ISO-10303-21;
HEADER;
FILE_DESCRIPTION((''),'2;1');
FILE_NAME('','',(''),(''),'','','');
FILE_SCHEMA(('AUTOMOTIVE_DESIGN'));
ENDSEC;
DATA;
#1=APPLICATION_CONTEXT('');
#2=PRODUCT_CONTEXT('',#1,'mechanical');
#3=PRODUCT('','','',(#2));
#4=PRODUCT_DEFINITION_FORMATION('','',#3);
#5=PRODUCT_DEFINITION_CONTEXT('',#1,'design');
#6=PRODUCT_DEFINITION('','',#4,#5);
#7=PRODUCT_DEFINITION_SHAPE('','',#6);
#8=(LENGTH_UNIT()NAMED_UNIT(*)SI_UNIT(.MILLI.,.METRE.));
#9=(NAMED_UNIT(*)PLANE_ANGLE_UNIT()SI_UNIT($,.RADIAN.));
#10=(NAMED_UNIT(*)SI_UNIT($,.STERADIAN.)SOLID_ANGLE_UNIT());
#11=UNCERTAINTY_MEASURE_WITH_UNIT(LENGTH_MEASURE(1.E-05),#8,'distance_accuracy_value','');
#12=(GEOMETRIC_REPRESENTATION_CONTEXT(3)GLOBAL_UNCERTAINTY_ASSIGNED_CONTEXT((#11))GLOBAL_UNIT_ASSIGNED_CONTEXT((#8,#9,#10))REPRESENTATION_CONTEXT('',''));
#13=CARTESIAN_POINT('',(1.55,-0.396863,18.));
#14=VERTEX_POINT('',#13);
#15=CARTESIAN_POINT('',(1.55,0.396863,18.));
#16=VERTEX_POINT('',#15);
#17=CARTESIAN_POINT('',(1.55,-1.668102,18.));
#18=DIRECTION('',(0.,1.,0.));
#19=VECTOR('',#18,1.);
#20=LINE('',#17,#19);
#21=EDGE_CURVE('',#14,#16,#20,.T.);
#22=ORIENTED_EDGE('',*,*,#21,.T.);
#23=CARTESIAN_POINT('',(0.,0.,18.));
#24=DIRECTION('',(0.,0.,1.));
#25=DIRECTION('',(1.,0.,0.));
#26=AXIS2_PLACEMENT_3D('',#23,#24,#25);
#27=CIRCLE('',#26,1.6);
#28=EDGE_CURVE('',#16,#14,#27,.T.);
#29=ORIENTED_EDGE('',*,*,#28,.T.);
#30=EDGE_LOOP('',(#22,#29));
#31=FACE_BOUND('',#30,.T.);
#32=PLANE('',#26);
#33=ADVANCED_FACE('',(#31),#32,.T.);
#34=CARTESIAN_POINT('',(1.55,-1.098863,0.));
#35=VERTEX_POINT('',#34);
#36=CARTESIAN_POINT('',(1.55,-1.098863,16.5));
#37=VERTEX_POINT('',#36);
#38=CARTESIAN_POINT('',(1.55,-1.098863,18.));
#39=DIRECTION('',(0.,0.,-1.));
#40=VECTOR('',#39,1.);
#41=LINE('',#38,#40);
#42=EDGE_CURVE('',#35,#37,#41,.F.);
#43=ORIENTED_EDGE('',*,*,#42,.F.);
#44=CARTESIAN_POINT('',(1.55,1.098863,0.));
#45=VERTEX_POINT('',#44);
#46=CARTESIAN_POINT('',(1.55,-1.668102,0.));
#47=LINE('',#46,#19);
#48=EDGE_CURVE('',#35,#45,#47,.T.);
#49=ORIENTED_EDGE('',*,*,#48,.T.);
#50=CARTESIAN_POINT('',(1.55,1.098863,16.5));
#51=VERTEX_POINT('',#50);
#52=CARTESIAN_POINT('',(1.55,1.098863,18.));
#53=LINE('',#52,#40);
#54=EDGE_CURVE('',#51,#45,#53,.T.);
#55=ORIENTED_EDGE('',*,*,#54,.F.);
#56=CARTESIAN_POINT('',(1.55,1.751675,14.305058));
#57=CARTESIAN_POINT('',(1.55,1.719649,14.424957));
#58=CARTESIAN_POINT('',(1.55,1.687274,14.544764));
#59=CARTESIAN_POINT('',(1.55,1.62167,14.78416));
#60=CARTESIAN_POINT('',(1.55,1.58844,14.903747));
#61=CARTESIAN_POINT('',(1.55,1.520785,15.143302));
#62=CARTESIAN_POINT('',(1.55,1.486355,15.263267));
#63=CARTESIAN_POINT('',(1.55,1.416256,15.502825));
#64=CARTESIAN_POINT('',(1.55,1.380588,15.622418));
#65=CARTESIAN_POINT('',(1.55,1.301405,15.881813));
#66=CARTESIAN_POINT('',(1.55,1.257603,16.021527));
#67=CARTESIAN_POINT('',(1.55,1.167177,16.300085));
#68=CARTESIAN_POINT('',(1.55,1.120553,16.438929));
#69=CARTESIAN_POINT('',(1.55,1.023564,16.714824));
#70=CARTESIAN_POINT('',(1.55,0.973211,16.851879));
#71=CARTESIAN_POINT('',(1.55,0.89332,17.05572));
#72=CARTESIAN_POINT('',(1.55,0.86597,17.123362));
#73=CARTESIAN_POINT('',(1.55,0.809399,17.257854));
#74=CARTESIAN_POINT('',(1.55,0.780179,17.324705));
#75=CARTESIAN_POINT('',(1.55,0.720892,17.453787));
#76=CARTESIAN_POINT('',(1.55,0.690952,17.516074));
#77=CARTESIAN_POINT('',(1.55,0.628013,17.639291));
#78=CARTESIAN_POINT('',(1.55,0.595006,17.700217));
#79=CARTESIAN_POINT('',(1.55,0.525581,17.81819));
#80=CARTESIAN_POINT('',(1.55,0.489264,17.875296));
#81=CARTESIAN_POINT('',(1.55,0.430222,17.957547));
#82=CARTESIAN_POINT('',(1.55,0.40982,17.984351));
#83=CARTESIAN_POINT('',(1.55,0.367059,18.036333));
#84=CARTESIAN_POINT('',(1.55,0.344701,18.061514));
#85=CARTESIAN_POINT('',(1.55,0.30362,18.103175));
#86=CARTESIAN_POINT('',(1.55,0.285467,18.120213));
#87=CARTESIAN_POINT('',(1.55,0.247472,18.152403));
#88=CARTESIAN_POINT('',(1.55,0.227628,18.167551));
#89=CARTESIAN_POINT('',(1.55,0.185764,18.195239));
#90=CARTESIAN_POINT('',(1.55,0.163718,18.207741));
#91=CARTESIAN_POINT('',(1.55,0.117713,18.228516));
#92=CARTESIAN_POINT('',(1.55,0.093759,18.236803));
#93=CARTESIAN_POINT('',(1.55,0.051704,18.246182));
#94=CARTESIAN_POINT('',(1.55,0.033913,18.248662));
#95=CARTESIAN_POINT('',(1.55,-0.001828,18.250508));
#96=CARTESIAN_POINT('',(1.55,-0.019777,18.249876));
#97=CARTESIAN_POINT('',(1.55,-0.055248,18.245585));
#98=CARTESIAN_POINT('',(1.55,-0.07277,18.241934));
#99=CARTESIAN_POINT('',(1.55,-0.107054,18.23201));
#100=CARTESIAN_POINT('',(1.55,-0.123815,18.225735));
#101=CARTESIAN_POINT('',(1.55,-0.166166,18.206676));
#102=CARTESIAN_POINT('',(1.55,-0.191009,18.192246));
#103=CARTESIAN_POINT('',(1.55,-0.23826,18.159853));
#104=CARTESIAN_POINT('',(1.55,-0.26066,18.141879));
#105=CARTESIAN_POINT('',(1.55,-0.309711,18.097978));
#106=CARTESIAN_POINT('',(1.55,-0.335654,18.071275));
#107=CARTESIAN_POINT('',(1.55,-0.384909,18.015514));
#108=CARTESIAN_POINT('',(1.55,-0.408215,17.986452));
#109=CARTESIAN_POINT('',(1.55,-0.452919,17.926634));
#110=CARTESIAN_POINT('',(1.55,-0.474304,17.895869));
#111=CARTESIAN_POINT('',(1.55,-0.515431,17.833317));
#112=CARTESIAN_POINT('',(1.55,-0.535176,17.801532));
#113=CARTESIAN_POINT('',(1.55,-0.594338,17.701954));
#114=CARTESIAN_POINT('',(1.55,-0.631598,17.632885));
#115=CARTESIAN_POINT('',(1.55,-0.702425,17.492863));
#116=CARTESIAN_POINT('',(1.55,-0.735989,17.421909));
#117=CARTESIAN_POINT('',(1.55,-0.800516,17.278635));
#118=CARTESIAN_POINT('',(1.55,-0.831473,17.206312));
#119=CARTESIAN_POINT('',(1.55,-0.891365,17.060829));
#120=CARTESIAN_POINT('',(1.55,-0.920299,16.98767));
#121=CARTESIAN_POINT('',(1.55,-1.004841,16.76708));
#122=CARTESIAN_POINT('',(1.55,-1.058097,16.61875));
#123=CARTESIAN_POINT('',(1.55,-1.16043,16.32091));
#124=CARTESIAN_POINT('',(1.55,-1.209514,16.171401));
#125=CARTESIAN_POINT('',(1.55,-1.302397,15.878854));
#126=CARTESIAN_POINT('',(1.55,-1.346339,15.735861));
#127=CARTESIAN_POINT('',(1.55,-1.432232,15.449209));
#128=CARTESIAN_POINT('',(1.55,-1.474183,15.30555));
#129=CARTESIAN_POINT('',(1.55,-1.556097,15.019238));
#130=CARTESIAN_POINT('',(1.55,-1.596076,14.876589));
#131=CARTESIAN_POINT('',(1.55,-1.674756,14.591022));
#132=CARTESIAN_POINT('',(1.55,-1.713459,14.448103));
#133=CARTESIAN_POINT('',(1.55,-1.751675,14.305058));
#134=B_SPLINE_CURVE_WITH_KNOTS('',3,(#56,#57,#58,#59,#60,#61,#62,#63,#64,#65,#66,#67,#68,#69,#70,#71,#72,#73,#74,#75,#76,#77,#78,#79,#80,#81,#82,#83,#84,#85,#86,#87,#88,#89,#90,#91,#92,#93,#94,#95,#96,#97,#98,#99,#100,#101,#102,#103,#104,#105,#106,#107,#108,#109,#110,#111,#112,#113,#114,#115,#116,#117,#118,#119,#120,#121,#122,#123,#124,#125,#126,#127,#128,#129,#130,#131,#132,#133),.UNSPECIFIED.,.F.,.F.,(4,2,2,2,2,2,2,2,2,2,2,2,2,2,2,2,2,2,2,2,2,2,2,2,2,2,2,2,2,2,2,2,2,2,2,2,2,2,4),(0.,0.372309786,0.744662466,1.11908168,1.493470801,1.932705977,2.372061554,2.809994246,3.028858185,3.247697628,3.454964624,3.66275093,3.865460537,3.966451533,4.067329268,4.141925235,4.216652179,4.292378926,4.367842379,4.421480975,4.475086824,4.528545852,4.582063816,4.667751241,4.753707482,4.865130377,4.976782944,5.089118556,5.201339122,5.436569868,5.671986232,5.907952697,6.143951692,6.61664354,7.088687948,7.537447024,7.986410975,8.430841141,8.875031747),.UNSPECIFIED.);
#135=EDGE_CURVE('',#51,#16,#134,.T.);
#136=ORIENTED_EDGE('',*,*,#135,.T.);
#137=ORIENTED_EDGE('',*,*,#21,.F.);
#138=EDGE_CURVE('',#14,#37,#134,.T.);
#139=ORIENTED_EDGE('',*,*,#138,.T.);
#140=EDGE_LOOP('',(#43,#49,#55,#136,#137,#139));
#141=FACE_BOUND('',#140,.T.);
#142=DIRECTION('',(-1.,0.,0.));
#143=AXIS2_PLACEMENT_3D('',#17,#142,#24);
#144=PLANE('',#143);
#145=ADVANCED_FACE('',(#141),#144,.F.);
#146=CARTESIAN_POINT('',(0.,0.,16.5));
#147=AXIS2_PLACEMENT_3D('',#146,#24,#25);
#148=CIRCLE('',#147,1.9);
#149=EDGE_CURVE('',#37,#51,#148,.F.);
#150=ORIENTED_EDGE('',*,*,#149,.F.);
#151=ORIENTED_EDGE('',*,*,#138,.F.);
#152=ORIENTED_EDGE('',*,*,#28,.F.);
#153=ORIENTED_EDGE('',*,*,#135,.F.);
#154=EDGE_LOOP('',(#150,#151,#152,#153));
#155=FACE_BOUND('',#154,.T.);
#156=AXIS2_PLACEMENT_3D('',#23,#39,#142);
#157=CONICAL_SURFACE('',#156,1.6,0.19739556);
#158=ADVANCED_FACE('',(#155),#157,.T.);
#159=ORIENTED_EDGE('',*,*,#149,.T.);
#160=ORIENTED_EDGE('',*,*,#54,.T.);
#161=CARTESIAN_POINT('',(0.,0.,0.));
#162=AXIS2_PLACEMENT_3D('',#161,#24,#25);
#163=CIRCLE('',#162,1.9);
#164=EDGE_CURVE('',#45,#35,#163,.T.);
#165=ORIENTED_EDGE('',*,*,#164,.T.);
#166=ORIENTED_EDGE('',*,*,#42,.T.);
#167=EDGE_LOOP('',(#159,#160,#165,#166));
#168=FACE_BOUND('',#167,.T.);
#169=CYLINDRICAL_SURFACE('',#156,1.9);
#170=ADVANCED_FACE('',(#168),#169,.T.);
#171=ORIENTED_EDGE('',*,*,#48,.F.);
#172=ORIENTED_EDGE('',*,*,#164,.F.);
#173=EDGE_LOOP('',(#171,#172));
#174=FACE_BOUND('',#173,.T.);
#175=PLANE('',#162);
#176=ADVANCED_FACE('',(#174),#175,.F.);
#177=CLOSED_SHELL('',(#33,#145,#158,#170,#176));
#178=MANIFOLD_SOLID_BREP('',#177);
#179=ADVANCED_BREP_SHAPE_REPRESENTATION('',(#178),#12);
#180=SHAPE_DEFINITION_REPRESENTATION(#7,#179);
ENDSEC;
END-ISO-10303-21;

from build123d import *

# Parameters (mm, degrees)
SKETCH_1_R          = 1.9
EXTRUDE_1_DEPTH     = 18
CHAMFER_1_SIZE      = 1.5
CHAMFER_1_SIZE2     = 0.3
SKETCH_2_W          = 0.7
SKETCH_2_H          = 3.336204296
CUT_EXTRUDE_1_DEPTH = 18


with BuildPart() as part:
    # 草图1 → 凸台-拉伸1 (new body)
    with BuildSketch(Plane.XY):
        Circle(SKETCH_1_R)
    extrude(amount=EXTRUDE_1_DEPTH)

    # 倒角1
    chamfer_1_edges = [part.edges().sort_by_distance(p)[0] for p in [
        (-1.9, 0, 18),
    ]]
    chamfer_1_side = [part.faces().sort_by_distance(p)[0] for p in [
        (-1.9, 0, 9),
    ]]
    chamfer(chamfer_1_edges, length=CHAMFER_1_SIZE, length2=CHAMFER_1_SIZE2, reference=chamfer_1_side[0])

    # 草图2 → 切除-拉伸1 (cut)
    with BuildSketch(Plane(origin=(0, 0, 0), x_dir=(-1, 0, 0), z_dir=(0, 0, -1))):
        with Locations((-1.9, 0)):
            Rectangle(SKETCH_2_W, SKETCH_2_H)
    extrude(amount=-CUT_EXTRUDE_1_DEPTH, mode=Mode.SUBTRACT)


solid = part.part
